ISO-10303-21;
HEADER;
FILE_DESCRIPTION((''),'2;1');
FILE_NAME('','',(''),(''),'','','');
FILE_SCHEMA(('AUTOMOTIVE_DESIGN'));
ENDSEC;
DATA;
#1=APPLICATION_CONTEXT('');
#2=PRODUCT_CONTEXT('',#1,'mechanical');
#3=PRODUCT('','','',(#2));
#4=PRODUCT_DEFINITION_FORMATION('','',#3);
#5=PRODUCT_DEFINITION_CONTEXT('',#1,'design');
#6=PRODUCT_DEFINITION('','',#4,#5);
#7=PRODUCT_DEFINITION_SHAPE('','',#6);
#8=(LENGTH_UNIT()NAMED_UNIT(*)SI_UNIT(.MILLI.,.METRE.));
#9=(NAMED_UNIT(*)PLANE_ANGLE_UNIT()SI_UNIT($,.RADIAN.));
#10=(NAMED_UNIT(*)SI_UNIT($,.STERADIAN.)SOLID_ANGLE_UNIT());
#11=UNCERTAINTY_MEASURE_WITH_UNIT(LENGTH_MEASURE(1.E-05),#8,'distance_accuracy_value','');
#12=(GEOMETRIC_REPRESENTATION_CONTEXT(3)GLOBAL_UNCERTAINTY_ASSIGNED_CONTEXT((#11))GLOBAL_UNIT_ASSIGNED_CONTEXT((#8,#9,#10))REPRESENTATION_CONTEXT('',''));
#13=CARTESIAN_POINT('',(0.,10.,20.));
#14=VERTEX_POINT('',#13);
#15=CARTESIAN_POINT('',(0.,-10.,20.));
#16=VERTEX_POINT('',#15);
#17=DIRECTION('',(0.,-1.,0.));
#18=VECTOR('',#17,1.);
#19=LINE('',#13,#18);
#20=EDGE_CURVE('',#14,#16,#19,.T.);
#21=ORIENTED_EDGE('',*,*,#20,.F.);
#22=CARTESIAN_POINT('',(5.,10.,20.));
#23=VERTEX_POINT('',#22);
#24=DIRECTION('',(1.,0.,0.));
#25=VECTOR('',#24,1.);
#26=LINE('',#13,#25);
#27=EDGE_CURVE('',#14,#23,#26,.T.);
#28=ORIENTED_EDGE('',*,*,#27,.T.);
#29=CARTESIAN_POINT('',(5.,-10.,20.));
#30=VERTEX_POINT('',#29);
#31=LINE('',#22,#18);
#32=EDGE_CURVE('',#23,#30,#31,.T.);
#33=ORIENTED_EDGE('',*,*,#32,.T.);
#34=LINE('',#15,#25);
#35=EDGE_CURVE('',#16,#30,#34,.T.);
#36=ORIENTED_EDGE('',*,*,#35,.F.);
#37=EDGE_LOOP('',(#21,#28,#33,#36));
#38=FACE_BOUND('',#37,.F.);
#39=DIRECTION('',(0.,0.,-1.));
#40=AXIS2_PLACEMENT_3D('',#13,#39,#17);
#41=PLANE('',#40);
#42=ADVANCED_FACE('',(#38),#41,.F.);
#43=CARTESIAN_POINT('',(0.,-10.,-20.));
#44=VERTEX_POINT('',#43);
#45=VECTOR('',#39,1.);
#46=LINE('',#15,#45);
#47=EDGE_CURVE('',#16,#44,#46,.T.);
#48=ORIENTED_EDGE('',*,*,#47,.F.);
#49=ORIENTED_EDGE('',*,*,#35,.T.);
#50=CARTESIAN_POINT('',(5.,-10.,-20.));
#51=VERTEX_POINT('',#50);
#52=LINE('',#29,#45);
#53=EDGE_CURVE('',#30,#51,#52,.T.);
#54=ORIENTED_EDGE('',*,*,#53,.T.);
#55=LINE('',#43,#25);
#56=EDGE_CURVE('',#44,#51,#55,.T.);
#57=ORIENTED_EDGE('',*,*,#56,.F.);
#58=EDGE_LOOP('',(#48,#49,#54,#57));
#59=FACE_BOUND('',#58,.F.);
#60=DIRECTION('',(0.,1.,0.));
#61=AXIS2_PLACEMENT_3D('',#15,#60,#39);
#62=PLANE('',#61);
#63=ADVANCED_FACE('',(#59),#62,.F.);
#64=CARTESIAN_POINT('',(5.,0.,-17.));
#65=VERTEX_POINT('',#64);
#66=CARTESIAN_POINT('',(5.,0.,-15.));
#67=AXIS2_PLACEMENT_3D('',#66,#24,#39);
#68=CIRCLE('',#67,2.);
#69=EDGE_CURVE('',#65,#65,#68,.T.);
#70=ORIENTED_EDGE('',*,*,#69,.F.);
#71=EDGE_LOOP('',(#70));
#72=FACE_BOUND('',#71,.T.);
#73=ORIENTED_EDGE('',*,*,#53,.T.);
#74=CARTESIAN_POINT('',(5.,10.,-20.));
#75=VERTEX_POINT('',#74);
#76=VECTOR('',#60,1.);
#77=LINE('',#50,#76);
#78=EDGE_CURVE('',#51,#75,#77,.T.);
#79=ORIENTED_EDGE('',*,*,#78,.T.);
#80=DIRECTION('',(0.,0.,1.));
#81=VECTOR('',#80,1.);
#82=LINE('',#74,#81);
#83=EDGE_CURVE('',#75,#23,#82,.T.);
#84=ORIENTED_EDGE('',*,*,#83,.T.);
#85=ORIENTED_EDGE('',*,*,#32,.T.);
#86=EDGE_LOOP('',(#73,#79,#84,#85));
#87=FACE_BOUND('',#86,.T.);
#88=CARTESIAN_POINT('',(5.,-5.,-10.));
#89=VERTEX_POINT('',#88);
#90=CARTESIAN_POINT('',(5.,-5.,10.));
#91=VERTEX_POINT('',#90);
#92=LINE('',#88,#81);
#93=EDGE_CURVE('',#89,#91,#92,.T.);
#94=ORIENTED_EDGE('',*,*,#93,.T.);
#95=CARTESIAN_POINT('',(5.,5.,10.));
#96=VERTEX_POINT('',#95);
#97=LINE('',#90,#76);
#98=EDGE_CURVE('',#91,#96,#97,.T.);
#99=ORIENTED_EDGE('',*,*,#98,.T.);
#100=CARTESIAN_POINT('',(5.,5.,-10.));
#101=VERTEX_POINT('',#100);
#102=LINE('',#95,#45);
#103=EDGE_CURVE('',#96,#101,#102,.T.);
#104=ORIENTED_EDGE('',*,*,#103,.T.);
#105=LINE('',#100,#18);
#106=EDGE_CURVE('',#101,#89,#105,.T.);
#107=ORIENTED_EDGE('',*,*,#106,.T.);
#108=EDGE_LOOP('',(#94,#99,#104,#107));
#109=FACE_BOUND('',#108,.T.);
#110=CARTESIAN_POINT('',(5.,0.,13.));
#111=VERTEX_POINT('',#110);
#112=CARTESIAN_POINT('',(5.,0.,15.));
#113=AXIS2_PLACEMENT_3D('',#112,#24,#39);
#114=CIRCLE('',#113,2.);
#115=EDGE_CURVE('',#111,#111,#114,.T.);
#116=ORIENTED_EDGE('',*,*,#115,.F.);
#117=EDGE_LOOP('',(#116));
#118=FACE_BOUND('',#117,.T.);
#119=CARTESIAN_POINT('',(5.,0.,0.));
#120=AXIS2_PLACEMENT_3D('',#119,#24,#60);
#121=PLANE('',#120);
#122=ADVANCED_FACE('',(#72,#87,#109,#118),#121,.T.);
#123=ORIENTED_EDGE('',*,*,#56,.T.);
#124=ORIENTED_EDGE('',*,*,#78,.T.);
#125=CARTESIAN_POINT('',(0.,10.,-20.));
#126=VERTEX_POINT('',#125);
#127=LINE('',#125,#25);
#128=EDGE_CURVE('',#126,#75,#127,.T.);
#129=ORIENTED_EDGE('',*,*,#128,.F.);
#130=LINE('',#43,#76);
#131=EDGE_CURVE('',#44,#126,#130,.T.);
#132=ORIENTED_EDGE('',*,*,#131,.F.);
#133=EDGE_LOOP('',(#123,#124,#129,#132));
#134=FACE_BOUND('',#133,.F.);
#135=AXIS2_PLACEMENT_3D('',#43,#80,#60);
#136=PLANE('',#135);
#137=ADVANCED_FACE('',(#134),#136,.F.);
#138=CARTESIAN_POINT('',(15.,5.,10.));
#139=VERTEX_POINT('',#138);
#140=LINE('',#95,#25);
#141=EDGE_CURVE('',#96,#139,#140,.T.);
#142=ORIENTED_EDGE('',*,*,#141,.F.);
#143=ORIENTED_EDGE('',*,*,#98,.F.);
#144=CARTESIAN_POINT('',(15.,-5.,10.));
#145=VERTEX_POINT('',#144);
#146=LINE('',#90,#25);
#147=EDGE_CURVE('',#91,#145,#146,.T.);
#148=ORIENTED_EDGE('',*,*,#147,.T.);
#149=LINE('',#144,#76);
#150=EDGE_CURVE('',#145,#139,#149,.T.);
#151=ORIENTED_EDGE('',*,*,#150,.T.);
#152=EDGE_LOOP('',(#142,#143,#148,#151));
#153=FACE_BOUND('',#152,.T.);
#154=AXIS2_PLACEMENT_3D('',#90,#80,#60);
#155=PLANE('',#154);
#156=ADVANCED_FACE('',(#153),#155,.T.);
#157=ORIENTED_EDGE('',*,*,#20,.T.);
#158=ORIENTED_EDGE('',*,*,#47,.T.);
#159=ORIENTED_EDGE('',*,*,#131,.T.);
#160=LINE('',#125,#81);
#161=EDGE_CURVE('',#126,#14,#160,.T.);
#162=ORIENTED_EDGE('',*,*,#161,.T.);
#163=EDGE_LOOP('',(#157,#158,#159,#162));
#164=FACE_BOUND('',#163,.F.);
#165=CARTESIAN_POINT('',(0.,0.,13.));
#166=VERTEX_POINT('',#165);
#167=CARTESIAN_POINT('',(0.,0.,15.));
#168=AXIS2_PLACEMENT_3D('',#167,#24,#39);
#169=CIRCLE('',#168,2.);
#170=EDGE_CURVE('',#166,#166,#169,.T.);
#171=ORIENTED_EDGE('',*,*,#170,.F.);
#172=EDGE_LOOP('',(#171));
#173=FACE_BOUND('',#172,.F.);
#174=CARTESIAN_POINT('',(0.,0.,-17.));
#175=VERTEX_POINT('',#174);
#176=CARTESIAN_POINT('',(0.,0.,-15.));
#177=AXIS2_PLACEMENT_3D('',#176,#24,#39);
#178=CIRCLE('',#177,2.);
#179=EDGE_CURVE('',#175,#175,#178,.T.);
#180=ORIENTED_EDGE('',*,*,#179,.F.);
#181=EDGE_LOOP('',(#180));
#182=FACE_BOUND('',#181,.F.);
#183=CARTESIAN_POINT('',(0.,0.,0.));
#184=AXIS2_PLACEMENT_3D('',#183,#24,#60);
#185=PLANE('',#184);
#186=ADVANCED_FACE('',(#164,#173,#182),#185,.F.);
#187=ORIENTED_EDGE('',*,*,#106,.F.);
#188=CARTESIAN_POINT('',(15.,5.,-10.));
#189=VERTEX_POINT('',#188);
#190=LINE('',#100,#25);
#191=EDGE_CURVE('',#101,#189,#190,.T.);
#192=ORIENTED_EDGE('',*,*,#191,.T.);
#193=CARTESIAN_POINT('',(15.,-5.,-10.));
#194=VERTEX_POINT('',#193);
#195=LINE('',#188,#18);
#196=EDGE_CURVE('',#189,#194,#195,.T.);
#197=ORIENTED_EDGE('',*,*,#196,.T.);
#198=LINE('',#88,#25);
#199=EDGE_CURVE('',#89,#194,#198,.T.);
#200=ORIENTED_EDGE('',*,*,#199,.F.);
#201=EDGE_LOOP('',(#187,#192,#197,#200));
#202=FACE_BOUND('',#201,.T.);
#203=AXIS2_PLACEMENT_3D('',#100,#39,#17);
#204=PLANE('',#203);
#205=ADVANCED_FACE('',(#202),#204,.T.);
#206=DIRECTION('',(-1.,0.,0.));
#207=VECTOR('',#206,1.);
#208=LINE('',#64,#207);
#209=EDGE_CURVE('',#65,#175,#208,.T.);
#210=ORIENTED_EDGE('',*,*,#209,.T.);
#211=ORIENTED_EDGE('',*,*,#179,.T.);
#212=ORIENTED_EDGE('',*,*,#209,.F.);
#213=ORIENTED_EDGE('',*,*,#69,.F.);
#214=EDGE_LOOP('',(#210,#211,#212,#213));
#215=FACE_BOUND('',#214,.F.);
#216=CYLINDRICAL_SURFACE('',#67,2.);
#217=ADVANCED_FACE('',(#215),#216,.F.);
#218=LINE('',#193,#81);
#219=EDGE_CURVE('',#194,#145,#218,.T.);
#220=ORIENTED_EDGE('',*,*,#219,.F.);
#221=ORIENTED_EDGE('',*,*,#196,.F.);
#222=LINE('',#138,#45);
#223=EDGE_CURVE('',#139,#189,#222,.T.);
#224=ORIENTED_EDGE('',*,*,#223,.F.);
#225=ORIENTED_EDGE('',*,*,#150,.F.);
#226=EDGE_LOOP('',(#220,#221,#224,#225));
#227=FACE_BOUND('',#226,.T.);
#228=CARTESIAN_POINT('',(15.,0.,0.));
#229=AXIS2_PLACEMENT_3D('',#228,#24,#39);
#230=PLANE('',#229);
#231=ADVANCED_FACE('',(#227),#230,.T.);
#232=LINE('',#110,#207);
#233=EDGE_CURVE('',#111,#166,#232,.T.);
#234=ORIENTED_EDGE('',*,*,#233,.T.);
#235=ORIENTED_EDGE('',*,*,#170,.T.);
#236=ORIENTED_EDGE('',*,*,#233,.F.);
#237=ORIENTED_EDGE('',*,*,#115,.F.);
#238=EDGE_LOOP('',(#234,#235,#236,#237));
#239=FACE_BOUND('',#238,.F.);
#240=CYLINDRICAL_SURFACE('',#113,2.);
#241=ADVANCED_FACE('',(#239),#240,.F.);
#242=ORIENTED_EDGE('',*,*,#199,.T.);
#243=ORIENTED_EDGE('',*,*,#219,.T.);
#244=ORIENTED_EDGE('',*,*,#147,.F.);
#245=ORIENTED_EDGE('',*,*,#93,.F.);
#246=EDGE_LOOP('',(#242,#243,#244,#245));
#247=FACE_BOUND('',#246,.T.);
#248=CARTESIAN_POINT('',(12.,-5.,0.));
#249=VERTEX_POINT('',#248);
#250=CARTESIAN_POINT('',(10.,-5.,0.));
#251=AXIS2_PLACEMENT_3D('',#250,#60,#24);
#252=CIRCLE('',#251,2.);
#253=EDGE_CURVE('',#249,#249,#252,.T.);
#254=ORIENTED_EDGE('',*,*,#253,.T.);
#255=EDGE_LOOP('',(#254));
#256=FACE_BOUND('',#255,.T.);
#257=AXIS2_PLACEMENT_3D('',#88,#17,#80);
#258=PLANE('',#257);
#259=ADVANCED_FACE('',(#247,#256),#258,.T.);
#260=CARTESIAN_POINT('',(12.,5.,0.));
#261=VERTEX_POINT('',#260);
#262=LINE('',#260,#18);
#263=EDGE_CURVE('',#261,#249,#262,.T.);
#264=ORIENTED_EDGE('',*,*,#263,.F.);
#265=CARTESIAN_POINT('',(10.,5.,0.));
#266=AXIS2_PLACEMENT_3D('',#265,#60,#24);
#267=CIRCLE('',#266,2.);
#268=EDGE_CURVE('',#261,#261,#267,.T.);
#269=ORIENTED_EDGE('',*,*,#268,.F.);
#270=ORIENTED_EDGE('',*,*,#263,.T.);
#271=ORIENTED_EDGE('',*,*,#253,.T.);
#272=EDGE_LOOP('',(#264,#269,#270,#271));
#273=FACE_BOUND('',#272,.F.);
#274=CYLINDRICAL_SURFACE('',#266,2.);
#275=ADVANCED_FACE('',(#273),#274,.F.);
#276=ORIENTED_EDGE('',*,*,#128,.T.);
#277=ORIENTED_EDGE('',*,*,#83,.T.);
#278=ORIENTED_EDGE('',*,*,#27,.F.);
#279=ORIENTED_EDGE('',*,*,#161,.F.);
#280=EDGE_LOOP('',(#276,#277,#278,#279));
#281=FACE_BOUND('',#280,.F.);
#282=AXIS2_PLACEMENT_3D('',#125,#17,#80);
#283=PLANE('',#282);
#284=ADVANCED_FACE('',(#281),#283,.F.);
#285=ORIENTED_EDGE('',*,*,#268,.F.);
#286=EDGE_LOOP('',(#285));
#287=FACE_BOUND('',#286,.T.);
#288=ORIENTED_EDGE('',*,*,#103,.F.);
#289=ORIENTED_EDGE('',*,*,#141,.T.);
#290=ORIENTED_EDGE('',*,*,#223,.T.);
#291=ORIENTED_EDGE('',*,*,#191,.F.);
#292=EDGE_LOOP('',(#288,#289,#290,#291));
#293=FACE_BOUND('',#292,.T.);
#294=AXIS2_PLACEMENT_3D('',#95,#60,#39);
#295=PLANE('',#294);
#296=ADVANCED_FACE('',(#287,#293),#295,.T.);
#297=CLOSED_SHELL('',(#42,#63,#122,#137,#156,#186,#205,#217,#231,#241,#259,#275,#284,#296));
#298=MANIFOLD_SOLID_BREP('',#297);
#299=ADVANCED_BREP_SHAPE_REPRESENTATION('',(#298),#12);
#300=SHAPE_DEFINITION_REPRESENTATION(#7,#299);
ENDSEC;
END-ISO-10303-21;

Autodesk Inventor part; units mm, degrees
ref_plane "YZ Plane" through (0, 0, 0) normal (1, 0, 0) x (0, 1, 0)
ref_plane "XZ Plane" through (0, 0, 0) normal (0, 1, 0) x (-1, 0, 0)
ref_plane "XY Plane" through (0, 0, 0) normal (0, 0, 1) x (1, 0, 0)
sketch "草图1" plane through (0, 0, 0) normal (1, 0, 0) x (0, 1, 0)
  line L0 (10, 20) -> (-10, 20)
  line L1 (-10, 20) -> (-10, -20)
  line L2 (-10, -20) -> (10, -20)
  line L3 (10, -20) -> (10, 20)
  point P0 (0, 0)
  dimension "d0" = 20
  dimension "d1" = 40
extrude "拉伸1" add sketch "草图1" along normal blind 5
sketch "草图2" plane through (5, 0, 0) normal (1, 0, 0) x (0, 0, -1)
  circle A0 centre (-15, 0) radius 2
  point P0 (0, 0)
  dimension "d4" = 4
extrude "拉伸2" cut sketch "草图2" against normal through all
sketch "草图3" plane through (5, 0, 0) normal (1, 0, 0) x (0, 0, -1)
  circle A0 centre (15, 0) radius 2
  point P0 (0, 0)
  dimension "d7" = 4
extrude "拉伸3" cut sketch "草图3" against normal through all
sketch "草图4" plane through (5, 0, 0) normal (1, 0, 0) x (0, 0, -1)
  line L0 (-10, 5) -> (10, 5)
  line L1 (10, 5) -> (10, -5)
  line L2 (10, -5) -> (-10, -5)
  line L3 (-10, -5) -> (-10, 5)
  point P0 (0, 0)
  dimension "d10" = 20
  dimension "d11" = 10
extrude "拉伸4" add sketch "草图4" along normal blind 10
sketch "草图5" plane through (5, 5, 10) normal (0, 1, 0) x (1, 0, 0)
  circle A0 centre (5, 10) radius 2
  point P0 (-5, 10)
  dimension "d14" = 4
extrude "拉伸5" cut sketch "草图5" against normal through all
sketch "草图6" plane through (5, 0, 0) normal (1, 0, 0) x (0, 0, -1)
  point P0 (0, 0)
equation "\"折弯半径\" = 厚度"
equation "\"折弯释压宽度\" = 厚度"
equation "\"折弯释压深度\" = 0.5 * 厚度"
equation "\"拐角释压尺寸\" = 4 * 厚度"
equation "\"最小余量\" = 2 * 厚度"
equation "\"过渡半径\" = 折弯半径"
equation "\"Jacobi半径尺寸\" = 折弯半径"
equation "\"间隙大小\" = 厚度"
equation "\"厚度\" = 0.5"
properties part number "滑竿固定器"
